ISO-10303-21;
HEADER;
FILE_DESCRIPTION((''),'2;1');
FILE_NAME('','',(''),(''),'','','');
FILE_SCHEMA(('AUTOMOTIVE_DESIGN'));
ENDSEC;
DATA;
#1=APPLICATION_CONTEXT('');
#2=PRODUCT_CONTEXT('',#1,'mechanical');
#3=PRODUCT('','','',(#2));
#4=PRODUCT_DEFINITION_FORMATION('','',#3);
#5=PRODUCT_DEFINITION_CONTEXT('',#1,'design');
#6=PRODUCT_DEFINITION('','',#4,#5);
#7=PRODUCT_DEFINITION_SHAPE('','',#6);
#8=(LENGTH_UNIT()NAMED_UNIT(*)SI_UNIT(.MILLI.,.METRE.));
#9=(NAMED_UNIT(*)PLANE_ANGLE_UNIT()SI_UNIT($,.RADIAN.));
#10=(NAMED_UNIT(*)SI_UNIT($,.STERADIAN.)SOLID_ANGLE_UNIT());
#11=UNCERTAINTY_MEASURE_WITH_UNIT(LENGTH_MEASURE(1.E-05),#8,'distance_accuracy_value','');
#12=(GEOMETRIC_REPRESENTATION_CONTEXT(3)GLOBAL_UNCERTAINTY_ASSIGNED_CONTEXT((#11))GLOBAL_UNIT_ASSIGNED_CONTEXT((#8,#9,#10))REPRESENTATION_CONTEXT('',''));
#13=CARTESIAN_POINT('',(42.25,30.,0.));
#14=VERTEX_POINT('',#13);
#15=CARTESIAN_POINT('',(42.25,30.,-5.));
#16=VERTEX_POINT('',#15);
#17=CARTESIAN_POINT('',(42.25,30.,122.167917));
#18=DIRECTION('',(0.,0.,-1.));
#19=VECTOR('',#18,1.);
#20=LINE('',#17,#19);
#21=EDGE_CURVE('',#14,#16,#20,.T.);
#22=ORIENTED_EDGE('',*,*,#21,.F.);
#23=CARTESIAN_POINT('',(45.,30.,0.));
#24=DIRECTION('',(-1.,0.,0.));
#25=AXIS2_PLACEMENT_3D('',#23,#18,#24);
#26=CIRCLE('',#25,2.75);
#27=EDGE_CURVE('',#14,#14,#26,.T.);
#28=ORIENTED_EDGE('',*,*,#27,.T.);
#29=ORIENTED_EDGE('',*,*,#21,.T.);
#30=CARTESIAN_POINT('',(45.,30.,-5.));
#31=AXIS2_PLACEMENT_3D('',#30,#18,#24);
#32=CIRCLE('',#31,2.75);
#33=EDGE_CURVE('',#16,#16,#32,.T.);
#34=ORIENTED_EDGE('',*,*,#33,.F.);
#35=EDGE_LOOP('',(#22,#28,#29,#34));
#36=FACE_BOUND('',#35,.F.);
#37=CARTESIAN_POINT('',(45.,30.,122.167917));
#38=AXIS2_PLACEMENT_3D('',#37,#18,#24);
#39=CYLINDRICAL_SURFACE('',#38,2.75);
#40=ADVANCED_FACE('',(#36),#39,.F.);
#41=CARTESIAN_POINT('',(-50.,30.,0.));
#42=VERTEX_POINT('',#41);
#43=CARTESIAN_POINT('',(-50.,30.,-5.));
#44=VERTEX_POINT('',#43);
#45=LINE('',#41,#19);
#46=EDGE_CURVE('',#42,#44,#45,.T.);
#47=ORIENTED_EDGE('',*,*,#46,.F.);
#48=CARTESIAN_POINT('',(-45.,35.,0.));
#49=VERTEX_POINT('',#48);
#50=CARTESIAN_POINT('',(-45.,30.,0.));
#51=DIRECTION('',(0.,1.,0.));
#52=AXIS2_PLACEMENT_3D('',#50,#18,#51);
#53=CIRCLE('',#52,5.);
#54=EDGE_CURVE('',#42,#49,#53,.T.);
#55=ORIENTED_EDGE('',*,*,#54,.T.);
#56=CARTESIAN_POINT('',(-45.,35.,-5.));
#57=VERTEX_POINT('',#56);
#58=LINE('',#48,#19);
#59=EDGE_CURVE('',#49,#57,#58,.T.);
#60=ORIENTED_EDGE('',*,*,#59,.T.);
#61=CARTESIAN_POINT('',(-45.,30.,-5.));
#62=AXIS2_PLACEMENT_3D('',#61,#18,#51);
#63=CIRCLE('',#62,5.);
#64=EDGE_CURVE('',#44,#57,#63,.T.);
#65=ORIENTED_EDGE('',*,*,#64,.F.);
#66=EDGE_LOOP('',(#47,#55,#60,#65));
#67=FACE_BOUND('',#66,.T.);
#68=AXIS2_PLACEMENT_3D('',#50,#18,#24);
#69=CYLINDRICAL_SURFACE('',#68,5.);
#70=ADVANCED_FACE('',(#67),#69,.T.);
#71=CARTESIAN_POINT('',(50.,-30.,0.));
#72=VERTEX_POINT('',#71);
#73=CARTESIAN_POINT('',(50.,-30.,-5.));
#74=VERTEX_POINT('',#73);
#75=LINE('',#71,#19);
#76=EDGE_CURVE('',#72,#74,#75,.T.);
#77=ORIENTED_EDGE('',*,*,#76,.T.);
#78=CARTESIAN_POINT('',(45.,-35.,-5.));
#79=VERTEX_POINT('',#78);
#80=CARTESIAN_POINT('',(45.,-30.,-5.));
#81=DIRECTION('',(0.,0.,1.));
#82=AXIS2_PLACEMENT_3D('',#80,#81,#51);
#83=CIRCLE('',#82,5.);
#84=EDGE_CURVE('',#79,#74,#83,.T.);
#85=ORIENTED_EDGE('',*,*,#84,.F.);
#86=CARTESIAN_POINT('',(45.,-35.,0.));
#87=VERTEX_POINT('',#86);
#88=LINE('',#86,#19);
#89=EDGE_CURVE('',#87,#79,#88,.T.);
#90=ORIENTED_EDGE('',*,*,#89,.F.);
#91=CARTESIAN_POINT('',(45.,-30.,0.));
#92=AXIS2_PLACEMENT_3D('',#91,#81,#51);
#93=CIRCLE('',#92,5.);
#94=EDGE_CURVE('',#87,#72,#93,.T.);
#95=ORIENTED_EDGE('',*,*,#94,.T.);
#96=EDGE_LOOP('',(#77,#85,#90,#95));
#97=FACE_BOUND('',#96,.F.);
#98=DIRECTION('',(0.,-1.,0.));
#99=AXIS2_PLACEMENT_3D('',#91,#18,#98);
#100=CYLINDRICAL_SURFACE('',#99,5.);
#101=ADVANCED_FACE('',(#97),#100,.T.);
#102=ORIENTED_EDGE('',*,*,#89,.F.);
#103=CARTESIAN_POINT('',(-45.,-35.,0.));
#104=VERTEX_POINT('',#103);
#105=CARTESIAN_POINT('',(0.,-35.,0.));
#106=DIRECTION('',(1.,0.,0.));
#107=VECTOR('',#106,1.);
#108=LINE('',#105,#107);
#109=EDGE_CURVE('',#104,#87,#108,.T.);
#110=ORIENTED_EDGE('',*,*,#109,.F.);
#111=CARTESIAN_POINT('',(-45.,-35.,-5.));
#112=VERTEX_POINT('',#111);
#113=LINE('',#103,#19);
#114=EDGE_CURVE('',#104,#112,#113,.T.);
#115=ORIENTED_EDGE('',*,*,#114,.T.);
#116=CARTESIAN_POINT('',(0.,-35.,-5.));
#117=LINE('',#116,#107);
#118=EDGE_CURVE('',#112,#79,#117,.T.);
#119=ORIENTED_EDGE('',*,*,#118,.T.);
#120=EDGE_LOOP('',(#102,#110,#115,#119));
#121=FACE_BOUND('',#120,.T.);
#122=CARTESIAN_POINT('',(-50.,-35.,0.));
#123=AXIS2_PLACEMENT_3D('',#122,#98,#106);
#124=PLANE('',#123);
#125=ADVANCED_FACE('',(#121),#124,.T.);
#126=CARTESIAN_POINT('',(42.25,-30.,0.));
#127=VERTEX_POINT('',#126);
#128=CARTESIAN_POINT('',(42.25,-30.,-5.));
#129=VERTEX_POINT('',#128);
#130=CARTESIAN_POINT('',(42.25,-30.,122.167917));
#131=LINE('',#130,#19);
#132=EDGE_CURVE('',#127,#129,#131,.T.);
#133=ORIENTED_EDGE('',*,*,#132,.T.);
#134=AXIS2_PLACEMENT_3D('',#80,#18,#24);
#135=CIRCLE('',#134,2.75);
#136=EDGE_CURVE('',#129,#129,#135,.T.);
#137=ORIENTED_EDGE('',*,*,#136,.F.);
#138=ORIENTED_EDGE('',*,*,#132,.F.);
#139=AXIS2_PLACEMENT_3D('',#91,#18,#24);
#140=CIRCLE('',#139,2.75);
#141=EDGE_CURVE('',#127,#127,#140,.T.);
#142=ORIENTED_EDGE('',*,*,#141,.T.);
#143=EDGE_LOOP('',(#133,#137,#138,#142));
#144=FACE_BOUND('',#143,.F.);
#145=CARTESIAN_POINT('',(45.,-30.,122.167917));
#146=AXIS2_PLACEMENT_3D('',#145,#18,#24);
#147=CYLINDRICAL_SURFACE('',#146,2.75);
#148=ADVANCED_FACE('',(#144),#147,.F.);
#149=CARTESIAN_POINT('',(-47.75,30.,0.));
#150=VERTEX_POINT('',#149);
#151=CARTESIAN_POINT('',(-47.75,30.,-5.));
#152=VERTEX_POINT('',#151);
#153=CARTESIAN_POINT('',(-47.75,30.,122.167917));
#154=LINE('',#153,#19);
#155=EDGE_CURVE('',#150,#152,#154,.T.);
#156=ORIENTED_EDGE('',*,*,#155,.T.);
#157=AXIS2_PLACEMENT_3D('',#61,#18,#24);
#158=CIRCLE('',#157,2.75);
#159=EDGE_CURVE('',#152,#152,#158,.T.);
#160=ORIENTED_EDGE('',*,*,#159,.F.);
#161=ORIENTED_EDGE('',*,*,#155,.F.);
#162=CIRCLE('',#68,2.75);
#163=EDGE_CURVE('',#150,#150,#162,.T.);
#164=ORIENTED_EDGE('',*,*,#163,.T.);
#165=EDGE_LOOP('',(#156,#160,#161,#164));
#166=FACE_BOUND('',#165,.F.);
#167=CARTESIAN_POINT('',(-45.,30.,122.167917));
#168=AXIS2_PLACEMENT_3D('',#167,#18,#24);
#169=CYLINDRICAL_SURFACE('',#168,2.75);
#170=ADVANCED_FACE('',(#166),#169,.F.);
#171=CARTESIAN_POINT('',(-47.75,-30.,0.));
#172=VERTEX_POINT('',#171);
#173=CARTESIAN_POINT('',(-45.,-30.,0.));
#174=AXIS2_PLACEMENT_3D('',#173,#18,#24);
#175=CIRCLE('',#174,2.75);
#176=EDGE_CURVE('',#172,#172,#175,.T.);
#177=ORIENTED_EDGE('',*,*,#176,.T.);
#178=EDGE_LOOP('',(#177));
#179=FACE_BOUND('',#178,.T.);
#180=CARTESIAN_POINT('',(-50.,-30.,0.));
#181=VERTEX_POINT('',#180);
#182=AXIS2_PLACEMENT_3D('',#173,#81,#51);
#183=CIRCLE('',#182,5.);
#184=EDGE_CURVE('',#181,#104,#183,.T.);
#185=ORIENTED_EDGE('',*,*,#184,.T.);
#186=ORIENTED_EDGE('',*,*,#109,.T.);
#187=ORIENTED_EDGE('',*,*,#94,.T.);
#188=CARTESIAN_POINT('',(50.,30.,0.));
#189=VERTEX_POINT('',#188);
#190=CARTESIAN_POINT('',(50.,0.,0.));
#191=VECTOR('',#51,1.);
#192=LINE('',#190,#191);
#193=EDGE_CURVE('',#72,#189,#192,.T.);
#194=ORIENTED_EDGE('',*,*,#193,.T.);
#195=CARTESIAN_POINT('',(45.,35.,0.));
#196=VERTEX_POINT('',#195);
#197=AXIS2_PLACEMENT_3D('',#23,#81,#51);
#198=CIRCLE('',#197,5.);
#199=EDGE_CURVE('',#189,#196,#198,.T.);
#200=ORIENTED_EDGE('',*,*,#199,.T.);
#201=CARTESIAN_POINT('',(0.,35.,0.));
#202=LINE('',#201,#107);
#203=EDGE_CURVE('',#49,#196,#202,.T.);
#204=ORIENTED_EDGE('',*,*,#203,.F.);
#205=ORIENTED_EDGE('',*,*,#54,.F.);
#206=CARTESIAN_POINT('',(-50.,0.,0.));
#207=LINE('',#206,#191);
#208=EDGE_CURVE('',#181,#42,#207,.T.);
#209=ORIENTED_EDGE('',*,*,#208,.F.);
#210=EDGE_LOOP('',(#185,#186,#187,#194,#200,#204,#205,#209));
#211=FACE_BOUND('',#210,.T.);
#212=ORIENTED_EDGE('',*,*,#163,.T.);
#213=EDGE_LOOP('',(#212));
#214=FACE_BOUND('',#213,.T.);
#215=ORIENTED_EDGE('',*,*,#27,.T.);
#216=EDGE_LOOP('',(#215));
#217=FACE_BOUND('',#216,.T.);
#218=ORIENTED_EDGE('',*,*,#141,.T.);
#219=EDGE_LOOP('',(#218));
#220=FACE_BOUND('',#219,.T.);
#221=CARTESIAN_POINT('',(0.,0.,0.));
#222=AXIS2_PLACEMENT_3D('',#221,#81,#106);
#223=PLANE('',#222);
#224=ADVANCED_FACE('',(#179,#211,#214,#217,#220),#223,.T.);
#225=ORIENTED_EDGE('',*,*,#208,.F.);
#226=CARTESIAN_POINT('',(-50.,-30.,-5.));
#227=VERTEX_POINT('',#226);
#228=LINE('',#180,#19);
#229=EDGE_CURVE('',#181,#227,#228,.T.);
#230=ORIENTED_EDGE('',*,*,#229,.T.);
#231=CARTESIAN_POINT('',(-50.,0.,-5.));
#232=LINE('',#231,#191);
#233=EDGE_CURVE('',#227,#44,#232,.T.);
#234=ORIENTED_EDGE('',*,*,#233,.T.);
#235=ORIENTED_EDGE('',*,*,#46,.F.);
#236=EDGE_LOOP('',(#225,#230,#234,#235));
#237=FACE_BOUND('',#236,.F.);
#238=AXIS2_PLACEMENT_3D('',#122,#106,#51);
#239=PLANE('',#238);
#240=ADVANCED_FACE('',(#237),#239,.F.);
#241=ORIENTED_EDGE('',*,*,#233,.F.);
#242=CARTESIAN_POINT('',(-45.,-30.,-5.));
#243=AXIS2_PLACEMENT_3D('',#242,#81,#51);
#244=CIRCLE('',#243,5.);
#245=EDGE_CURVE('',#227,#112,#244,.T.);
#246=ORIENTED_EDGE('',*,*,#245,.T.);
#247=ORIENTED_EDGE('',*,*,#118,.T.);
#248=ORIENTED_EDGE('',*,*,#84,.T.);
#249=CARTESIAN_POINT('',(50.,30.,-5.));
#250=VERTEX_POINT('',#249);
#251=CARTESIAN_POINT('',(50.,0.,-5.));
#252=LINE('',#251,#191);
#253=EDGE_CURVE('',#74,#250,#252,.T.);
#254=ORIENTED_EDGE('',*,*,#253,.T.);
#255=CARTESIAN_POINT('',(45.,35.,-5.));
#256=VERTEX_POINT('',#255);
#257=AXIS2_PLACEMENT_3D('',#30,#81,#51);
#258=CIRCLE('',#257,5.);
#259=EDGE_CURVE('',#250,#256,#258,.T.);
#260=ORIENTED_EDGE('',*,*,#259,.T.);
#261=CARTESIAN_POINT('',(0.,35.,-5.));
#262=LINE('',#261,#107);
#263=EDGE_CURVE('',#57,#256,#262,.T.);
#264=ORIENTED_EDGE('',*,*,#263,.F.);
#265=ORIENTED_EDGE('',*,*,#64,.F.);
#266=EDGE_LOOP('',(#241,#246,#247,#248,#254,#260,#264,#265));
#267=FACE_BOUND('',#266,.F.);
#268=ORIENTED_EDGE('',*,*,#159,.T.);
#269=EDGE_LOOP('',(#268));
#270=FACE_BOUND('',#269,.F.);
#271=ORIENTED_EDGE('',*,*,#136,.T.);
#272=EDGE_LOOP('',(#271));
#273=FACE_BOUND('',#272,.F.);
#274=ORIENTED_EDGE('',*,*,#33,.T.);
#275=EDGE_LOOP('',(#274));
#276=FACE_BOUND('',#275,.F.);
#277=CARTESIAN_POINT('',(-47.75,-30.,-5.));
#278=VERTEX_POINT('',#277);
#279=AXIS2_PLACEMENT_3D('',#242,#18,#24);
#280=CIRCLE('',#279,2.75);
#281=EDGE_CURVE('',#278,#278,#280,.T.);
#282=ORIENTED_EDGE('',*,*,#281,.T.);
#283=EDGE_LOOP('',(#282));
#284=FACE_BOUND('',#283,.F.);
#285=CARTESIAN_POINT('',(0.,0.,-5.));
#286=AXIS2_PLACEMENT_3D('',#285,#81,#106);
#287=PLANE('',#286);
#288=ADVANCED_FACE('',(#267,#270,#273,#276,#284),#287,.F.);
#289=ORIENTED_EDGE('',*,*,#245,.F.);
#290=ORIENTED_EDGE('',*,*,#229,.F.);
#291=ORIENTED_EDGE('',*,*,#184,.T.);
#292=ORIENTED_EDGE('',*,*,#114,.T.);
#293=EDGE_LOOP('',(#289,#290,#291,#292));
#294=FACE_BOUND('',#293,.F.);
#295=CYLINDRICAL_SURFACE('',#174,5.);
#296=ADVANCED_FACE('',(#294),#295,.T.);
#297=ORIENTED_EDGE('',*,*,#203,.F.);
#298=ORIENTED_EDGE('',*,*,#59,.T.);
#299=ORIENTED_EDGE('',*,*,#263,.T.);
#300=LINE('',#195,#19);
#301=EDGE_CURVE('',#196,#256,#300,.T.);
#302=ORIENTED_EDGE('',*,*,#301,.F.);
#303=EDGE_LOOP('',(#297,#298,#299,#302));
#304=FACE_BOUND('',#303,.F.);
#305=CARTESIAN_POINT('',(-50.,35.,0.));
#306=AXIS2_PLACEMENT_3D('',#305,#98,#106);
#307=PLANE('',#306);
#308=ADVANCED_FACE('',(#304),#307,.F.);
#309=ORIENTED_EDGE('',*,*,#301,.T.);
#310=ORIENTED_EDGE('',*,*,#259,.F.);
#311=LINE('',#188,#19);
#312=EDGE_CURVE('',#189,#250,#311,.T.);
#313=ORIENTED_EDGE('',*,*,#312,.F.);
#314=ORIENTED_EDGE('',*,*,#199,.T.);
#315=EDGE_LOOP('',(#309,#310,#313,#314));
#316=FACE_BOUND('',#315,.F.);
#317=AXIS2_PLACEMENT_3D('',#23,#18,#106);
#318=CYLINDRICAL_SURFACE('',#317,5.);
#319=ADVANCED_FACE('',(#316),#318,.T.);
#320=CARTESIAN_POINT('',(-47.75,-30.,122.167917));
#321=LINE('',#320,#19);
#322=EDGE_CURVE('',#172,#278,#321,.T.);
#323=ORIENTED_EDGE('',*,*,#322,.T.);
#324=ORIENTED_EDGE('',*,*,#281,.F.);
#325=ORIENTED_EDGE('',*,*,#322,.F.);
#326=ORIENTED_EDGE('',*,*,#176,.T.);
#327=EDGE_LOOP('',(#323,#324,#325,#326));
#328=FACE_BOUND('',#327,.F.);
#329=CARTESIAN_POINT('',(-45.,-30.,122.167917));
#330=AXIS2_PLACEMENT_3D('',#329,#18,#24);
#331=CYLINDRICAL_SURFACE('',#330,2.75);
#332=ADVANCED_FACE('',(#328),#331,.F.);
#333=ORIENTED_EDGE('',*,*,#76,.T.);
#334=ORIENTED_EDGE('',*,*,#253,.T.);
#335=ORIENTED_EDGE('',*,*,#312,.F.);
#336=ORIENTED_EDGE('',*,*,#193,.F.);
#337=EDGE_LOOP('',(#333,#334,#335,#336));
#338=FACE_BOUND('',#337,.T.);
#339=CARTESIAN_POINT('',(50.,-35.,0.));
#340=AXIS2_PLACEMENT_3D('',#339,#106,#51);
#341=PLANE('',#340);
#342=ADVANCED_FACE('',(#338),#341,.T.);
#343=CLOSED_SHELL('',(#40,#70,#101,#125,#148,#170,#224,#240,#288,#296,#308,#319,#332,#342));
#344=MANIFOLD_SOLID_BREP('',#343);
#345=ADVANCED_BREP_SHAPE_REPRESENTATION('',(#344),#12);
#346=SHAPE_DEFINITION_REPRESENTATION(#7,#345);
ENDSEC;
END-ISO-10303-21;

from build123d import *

# Parameters (mm, degrees)
F0_W     = 100
F0_H     = 70
F0_W_2   = 90
F0_H_2   = 60
F1_DEPTH = 5
F2_R     = 5
F4_D     = 5.5


with BuildPart() as f1:
    # F0 (on Top) → F1 (new body)
    with BuildSketch(Plane.XY):
        Rectangle(F0_W, F0_H)
        Rectangle(F0_W_2, F0_H_2, mode=Mode.SUBTRACT)
        Rectangle(F0_W_2, F0_H_2)
    extrude(amount=-F1_DEPTH)

    # F2
    f2_edges = [f1.edges().sort_by_distance(p)[0] for p in [
        (-50, -35, -2.5),
        (-50, 35, -2.5),
        (50, -35, -2.5),
        (50, 35, -2.5),
    ]]
    fillet(f2_edges, radius=F2_R)

    # F4 (through all)
    with Locations(Plane.XY):
        with Locations((-45, 30), (-45, -30), (45, -30), (45, 30)):
            Hole(F4_D / 2)


solid = f1.part
